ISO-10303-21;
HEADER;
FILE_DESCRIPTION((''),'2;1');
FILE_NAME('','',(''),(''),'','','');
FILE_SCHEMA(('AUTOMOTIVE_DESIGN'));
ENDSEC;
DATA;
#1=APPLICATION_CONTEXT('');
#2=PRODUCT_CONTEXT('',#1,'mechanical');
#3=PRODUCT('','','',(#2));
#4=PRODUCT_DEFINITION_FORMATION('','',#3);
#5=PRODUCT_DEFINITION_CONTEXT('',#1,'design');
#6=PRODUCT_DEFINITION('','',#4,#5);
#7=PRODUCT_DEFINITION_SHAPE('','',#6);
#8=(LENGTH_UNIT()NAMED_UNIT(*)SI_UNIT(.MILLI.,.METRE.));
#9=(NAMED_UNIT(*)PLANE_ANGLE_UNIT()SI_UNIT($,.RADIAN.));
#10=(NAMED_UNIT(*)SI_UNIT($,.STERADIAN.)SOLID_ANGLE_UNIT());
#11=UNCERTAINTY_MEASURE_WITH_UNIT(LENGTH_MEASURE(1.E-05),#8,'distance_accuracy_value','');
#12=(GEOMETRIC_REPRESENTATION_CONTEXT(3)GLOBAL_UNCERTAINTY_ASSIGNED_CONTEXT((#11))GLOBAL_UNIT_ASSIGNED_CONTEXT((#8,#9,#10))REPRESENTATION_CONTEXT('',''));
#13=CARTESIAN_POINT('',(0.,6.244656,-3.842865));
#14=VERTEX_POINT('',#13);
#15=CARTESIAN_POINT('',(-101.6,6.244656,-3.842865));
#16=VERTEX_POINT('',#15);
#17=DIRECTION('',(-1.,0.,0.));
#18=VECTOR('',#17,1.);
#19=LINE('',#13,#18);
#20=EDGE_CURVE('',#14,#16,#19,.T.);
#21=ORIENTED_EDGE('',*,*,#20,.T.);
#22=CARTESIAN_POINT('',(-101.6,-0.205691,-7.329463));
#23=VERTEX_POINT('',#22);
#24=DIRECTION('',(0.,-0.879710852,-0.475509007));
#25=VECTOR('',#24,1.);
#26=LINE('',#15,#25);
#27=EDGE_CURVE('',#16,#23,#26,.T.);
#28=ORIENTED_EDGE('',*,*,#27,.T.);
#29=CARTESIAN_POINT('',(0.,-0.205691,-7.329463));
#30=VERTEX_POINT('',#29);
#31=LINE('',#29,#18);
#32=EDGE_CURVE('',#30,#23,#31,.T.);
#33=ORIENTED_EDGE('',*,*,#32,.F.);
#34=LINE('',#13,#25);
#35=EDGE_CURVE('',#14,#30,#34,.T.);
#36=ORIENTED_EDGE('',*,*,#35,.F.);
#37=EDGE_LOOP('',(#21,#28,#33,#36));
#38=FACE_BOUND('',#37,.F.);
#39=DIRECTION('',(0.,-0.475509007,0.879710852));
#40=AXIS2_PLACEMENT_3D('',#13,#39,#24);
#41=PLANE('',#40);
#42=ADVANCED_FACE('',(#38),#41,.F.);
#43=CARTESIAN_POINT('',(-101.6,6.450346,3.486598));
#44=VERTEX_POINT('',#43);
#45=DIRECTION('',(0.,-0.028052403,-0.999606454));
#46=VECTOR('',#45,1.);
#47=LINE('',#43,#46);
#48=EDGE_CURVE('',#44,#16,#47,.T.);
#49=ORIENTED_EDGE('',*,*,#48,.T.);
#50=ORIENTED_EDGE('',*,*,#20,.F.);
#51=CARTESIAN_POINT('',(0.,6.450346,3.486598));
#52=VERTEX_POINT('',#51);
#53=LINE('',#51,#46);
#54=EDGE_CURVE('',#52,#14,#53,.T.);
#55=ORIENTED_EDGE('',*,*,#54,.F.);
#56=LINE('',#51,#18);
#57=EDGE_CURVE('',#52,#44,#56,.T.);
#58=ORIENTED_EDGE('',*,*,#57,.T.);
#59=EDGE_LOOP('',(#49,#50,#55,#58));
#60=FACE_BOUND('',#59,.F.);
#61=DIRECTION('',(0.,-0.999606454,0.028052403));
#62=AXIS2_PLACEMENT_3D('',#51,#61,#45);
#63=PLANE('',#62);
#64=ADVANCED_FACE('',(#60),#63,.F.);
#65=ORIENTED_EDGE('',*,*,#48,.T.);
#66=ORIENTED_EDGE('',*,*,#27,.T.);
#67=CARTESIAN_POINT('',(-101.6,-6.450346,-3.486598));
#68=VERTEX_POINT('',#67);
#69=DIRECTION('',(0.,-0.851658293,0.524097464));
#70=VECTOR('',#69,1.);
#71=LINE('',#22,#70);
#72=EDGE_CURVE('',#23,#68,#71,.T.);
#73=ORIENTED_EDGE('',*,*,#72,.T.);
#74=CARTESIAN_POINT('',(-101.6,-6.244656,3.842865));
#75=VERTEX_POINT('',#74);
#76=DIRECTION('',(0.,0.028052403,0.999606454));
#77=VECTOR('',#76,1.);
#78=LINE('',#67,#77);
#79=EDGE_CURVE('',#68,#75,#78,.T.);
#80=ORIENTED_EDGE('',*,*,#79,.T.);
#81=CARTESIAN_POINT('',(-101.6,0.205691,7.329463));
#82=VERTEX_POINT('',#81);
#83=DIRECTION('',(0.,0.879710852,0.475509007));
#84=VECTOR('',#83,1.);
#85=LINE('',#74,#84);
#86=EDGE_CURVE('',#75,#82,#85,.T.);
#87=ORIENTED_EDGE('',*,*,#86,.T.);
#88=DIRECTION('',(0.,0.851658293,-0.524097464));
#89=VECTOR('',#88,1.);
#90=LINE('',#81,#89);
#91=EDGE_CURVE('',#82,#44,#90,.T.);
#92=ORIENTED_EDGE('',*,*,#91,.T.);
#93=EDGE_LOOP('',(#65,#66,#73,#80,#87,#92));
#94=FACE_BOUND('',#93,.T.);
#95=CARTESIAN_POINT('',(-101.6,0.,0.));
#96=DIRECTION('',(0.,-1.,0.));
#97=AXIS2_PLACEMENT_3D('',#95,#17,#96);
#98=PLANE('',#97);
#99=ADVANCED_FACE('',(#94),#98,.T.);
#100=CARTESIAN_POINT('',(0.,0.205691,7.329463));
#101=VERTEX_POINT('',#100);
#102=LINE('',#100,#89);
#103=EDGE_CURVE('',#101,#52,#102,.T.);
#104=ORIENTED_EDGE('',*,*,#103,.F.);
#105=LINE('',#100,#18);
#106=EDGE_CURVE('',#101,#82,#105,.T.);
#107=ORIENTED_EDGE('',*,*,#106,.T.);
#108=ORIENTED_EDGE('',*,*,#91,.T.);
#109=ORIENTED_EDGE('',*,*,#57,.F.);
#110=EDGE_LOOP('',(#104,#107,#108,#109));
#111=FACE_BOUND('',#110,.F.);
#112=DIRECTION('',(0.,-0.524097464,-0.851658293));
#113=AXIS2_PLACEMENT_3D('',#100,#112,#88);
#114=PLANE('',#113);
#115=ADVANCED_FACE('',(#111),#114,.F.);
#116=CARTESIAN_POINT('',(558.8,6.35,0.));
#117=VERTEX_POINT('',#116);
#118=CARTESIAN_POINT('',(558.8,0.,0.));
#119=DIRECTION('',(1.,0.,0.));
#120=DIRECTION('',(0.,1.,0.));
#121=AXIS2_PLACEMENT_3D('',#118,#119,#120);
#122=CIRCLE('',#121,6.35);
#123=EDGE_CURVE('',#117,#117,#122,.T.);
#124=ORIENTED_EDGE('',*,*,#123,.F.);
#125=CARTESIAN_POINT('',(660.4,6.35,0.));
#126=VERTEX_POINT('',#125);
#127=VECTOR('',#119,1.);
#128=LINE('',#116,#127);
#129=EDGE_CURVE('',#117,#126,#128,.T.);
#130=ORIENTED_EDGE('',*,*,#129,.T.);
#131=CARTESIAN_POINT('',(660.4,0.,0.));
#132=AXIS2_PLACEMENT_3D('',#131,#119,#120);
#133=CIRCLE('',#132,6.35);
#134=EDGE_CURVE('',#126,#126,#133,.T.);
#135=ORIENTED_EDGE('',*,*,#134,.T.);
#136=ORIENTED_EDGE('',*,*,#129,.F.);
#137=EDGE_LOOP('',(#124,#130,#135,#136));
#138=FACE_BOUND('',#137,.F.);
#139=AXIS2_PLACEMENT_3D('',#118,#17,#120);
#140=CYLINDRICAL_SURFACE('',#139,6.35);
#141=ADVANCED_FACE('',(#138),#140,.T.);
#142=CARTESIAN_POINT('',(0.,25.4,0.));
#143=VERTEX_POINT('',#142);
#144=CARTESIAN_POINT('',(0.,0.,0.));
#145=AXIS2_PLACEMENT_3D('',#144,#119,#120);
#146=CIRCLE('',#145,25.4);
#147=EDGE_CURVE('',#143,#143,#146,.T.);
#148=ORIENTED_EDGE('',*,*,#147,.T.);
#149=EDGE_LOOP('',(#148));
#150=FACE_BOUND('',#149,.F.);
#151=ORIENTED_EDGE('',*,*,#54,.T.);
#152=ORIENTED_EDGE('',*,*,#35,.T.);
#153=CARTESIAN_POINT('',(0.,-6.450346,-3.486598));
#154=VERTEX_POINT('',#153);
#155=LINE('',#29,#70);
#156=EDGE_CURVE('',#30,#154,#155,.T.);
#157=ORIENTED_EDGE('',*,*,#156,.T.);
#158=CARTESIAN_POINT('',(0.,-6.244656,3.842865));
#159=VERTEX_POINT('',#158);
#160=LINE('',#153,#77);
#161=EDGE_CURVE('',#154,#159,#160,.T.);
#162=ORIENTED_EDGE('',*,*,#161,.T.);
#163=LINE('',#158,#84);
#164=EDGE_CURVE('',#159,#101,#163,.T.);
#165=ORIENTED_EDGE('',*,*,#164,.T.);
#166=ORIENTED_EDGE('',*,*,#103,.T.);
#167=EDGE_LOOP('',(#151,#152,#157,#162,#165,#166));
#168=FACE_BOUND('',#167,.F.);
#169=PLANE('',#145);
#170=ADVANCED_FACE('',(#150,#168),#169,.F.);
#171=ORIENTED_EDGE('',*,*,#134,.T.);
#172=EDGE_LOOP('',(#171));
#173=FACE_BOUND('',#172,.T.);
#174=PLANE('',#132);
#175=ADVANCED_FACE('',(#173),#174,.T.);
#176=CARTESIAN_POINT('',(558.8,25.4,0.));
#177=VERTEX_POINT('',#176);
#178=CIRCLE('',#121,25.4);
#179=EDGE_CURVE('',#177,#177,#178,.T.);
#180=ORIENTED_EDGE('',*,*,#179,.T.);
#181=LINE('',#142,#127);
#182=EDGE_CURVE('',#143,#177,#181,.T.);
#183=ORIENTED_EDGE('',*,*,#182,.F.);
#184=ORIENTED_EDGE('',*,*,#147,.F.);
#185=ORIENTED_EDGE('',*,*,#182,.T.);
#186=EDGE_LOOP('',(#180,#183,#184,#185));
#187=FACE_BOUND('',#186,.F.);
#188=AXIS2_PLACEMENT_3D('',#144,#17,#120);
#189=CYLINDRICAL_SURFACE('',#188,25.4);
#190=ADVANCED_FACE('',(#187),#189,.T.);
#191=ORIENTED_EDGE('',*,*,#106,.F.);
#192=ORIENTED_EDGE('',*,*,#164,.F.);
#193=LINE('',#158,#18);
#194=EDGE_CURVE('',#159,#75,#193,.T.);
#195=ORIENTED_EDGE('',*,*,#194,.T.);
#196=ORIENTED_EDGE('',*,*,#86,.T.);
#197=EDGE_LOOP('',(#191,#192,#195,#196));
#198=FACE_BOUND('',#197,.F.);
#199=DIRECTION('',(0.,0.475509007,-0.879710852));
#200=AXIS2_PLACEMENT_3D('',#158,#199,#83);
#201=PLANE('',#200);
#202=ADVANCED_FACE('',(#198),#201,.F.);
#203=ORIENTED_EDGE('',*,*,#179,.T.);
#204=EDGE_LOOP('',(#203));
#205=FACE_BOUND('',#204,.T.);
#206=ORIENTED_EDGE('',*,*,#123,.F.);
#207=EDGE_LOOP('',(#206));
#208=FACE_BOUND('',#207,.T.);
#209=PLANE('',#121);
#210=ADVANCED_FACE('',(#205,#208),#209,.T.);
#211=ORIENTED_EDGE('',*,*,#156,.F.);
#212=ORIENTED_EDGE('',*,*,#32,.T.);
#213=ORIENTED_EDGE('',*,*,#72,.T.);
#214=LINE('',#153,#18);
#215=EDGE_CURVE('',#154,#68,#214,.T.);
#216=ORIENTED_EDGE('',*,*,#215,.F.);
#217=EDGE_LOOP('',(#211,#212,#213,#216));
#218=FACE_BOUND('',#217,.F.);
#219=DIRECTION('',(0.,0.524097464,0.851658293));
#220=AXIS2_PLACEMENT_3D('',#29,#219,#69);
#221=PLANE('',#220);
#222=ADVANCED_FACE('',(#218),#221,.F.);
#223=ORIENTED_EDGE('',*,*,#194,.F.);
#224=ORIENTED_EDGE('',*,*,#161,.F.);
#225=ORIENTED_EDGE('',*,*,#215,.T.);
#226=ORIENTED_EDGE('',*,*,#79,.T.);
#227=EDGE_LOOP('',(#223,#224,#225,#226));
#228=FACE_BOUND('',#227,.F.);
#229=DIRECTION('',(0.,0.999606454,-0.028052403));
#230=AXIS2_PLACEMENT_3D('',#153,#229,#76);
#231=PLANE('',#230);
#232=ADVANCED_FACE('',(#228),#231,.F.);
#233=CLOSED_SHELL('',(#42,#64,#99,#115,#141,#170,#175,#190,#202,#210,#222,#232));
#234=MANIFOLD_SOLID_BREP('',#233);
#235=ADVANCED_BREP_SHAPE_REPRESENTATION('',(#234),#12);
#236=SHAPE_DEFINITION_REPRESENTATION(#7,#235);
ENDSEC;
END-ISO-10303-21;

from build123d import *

# Parameters (mm, degrees)
F0_R     = 25.4
F1_DEPTH = 558.8
F2_R     = 6.35
F3_DEPTH = 101.6
F5_DEPTH = 101.6


with BuildPart() as f1:
    # F0 (on Right) → F1 (new body)
    with BuildSketch(Plane.YZ):
        Circle(F0_R)
    extrude(amount=F1_DEPTH)

    # F2 (on face) → F3 (join)
    with BuildSketch(Plane.YZ.offset(558.8)):
        Circle(F2_R)
    extrude(amount=F3_DEPTH)

    # F4 (on face) → F5 (join)
    with BuildSketch(Plane(origin=(0, 0, 0), x_dir=(0, -1, 0), z_dir=(-1, 0, 0))):
        Polygon((0.205691, -7.329463), (6.450346, -3.486598), (6.244656, 3.842865), (-0.205691, 7.329463), (-6.450346, 3.486598), (-6.244656, -3.842865), align=None)
    extrude(amount=F5_DEPTH)


solid = f1.part
